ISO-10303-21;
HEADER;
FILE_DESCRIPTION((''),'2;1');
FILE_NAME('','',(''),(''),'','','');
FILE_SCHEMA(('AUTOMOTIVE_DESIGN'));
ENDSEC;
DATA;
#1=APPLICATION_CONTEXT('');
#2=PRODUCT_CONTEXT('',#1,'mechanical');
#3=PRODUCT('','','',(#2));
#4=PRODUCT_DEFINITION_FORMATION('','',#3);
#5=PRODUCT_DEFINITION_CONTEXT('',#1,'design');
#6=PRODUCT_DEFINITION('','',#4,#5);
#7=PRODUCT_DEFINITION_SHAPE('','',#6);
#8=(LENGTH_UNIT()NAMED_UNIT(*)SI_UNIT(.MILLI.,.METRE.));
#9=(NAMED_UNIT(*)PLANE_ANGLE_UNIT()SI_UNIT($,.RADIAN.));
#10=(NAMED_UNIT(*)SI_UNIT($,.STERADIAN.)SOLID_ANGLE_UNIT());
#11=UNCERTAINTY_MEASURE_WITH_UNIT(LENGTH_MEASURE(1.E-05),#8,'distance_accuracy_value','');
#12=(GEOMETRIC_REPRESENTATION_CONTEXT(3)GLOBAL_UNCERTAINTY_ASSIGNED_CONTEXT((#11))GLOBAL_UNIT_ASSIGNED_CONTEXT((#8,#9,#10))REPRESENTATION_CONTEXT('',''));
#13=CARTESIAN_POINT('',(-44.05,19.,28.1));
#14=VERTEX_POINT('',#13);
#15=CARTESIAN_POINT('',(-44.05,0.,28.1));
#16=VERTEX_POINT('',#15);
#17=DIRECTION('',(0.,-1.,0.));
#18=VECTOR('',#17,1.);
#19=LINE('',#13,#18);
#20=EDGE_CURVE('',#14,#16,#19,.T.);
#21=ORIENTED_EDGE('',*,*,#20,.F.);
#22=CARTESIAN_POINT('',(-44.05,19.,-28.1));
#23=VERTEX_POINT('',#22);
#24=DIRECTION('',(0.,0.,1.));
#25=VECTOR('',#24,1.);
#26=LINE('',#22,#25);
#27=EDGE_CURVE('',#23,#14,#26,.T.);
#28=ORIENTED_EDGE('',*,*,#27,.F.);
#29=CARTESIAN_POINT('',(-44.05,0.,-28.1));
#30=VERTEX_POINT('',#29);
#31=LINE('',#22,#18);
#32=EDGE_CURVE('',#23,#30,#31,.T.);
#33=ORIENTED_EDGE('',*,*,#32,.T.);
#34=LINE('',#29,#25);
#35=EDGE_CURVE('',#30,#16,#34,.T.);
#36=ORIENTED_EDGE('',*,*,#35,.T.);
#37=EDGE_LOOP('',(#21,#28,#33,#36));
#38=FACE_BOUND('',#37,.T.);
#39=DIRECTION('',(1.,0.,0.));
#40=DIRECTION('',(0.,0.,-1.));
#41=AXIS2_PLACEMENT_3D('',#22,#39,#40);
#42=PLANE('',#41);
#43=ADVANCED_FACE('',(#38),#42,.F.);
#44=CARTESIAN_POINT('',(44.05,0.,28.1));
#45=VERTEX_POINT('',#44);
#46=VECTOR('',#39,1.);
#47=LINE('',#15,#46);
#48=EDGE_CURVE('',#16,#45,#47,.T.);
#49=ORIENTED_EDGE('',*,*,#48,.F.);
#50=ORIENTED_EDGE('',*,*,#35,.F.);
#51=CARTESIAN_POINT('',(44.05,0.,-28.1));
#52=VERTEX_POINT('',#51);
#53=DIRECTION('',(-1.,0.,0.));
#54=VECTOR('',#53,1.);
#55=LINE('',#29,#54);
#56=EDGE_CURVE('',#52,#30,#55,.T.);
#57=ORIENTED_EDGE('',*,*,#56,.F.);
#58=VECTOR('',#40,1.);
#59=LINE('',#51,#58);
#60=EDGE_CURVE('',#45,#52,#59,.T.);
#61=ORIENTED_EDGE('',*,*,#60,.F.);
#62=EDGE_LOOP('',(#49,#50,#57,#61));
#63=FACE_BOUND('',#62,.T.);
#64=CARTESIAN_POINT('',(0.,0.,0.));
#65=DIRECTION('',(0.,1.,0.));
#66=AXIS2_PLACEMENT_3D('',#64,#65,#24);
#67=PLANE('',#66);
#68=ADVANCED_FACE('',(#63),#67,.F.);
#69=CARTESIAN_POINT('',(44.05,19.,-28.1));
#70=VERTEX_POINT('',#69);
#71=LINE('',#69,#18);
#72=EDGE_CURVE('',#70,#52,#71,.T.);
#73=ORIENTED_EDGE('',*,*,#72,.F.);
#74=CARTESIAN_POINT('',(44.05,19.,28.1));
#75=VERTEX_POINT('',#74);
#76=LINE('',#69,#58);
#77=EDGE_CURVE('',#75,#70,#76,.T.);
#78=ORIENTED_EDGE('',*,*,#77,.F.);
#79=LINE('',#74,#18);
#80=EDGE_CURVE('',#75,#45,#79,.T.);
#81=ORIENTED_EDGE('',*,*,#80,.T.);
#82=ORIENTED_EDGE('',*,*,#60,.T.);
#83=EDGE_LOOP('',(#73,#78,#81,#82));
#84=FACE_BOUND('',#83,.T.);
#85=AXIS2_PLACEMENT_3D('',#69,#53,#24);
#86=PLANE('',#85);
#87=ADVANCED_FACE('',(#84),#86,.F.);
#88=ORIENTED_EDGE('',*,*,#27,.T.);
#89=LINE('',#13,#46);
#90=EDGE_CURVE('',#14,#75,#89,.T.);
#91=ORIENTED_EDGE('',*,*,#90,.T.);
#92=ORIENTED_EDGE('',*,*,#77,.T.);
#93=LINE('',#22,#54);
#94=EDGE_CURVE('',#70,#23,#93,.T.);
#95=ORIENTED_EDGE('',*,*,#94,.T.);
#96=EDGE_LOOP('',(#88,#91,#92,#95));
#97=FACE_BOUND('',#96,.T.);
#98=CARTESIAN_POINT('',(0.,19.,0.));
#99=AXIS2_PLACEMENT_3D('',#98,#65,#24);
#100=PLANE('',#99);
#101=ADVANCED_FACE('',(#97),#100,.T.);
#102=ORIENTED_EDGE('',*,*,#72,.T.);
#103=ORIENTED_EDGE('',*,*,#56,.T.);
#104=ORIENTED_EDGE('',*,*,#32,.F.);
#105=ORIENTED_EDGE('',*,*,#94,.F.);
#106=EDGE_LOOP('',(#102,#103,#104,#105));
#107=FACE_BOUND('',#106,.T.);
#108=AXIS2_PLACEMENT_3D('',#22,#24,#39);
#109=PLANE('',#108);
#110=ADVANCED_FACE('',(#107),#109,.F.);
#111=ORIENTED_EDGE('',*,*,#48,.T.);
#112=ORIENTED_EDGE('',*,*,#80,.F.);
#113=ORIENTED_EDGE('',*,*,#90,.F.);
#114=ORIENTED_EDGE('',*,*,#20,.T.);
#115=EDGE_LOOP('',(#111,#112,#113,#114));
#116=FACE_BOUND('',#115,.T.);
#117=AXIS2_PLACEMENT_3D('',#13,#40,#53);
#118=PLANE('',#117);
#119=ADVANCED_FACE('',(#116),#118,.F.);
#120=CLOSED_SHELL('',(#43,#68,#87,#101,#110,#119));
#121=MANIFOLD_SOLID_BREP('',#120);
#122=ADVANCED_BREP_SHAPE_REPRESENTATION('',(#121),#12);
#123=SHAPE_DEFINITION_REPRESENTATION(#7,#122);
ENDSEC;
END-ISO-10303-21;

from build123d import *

# Parameters (mm, degrees)
SKETCH_1_W      = 88.1
SKETCH_1_H      = 56.2
EXTRUDE_1_DEPTH = 19


with BuildPart() as part:
    # 草圖1 → 填料-伸長1 (new body)
    with BuildSketch(Plane(origin=(0, 0, 0), x_dir=(1, 0, 0), z_dir=(0, 1, 0))):
        Rectangle(SKETCH_1_W, SKETCH_1_H)
    extrude(amount=EXTRUDE_1_DEPTH)


solid = part.part
